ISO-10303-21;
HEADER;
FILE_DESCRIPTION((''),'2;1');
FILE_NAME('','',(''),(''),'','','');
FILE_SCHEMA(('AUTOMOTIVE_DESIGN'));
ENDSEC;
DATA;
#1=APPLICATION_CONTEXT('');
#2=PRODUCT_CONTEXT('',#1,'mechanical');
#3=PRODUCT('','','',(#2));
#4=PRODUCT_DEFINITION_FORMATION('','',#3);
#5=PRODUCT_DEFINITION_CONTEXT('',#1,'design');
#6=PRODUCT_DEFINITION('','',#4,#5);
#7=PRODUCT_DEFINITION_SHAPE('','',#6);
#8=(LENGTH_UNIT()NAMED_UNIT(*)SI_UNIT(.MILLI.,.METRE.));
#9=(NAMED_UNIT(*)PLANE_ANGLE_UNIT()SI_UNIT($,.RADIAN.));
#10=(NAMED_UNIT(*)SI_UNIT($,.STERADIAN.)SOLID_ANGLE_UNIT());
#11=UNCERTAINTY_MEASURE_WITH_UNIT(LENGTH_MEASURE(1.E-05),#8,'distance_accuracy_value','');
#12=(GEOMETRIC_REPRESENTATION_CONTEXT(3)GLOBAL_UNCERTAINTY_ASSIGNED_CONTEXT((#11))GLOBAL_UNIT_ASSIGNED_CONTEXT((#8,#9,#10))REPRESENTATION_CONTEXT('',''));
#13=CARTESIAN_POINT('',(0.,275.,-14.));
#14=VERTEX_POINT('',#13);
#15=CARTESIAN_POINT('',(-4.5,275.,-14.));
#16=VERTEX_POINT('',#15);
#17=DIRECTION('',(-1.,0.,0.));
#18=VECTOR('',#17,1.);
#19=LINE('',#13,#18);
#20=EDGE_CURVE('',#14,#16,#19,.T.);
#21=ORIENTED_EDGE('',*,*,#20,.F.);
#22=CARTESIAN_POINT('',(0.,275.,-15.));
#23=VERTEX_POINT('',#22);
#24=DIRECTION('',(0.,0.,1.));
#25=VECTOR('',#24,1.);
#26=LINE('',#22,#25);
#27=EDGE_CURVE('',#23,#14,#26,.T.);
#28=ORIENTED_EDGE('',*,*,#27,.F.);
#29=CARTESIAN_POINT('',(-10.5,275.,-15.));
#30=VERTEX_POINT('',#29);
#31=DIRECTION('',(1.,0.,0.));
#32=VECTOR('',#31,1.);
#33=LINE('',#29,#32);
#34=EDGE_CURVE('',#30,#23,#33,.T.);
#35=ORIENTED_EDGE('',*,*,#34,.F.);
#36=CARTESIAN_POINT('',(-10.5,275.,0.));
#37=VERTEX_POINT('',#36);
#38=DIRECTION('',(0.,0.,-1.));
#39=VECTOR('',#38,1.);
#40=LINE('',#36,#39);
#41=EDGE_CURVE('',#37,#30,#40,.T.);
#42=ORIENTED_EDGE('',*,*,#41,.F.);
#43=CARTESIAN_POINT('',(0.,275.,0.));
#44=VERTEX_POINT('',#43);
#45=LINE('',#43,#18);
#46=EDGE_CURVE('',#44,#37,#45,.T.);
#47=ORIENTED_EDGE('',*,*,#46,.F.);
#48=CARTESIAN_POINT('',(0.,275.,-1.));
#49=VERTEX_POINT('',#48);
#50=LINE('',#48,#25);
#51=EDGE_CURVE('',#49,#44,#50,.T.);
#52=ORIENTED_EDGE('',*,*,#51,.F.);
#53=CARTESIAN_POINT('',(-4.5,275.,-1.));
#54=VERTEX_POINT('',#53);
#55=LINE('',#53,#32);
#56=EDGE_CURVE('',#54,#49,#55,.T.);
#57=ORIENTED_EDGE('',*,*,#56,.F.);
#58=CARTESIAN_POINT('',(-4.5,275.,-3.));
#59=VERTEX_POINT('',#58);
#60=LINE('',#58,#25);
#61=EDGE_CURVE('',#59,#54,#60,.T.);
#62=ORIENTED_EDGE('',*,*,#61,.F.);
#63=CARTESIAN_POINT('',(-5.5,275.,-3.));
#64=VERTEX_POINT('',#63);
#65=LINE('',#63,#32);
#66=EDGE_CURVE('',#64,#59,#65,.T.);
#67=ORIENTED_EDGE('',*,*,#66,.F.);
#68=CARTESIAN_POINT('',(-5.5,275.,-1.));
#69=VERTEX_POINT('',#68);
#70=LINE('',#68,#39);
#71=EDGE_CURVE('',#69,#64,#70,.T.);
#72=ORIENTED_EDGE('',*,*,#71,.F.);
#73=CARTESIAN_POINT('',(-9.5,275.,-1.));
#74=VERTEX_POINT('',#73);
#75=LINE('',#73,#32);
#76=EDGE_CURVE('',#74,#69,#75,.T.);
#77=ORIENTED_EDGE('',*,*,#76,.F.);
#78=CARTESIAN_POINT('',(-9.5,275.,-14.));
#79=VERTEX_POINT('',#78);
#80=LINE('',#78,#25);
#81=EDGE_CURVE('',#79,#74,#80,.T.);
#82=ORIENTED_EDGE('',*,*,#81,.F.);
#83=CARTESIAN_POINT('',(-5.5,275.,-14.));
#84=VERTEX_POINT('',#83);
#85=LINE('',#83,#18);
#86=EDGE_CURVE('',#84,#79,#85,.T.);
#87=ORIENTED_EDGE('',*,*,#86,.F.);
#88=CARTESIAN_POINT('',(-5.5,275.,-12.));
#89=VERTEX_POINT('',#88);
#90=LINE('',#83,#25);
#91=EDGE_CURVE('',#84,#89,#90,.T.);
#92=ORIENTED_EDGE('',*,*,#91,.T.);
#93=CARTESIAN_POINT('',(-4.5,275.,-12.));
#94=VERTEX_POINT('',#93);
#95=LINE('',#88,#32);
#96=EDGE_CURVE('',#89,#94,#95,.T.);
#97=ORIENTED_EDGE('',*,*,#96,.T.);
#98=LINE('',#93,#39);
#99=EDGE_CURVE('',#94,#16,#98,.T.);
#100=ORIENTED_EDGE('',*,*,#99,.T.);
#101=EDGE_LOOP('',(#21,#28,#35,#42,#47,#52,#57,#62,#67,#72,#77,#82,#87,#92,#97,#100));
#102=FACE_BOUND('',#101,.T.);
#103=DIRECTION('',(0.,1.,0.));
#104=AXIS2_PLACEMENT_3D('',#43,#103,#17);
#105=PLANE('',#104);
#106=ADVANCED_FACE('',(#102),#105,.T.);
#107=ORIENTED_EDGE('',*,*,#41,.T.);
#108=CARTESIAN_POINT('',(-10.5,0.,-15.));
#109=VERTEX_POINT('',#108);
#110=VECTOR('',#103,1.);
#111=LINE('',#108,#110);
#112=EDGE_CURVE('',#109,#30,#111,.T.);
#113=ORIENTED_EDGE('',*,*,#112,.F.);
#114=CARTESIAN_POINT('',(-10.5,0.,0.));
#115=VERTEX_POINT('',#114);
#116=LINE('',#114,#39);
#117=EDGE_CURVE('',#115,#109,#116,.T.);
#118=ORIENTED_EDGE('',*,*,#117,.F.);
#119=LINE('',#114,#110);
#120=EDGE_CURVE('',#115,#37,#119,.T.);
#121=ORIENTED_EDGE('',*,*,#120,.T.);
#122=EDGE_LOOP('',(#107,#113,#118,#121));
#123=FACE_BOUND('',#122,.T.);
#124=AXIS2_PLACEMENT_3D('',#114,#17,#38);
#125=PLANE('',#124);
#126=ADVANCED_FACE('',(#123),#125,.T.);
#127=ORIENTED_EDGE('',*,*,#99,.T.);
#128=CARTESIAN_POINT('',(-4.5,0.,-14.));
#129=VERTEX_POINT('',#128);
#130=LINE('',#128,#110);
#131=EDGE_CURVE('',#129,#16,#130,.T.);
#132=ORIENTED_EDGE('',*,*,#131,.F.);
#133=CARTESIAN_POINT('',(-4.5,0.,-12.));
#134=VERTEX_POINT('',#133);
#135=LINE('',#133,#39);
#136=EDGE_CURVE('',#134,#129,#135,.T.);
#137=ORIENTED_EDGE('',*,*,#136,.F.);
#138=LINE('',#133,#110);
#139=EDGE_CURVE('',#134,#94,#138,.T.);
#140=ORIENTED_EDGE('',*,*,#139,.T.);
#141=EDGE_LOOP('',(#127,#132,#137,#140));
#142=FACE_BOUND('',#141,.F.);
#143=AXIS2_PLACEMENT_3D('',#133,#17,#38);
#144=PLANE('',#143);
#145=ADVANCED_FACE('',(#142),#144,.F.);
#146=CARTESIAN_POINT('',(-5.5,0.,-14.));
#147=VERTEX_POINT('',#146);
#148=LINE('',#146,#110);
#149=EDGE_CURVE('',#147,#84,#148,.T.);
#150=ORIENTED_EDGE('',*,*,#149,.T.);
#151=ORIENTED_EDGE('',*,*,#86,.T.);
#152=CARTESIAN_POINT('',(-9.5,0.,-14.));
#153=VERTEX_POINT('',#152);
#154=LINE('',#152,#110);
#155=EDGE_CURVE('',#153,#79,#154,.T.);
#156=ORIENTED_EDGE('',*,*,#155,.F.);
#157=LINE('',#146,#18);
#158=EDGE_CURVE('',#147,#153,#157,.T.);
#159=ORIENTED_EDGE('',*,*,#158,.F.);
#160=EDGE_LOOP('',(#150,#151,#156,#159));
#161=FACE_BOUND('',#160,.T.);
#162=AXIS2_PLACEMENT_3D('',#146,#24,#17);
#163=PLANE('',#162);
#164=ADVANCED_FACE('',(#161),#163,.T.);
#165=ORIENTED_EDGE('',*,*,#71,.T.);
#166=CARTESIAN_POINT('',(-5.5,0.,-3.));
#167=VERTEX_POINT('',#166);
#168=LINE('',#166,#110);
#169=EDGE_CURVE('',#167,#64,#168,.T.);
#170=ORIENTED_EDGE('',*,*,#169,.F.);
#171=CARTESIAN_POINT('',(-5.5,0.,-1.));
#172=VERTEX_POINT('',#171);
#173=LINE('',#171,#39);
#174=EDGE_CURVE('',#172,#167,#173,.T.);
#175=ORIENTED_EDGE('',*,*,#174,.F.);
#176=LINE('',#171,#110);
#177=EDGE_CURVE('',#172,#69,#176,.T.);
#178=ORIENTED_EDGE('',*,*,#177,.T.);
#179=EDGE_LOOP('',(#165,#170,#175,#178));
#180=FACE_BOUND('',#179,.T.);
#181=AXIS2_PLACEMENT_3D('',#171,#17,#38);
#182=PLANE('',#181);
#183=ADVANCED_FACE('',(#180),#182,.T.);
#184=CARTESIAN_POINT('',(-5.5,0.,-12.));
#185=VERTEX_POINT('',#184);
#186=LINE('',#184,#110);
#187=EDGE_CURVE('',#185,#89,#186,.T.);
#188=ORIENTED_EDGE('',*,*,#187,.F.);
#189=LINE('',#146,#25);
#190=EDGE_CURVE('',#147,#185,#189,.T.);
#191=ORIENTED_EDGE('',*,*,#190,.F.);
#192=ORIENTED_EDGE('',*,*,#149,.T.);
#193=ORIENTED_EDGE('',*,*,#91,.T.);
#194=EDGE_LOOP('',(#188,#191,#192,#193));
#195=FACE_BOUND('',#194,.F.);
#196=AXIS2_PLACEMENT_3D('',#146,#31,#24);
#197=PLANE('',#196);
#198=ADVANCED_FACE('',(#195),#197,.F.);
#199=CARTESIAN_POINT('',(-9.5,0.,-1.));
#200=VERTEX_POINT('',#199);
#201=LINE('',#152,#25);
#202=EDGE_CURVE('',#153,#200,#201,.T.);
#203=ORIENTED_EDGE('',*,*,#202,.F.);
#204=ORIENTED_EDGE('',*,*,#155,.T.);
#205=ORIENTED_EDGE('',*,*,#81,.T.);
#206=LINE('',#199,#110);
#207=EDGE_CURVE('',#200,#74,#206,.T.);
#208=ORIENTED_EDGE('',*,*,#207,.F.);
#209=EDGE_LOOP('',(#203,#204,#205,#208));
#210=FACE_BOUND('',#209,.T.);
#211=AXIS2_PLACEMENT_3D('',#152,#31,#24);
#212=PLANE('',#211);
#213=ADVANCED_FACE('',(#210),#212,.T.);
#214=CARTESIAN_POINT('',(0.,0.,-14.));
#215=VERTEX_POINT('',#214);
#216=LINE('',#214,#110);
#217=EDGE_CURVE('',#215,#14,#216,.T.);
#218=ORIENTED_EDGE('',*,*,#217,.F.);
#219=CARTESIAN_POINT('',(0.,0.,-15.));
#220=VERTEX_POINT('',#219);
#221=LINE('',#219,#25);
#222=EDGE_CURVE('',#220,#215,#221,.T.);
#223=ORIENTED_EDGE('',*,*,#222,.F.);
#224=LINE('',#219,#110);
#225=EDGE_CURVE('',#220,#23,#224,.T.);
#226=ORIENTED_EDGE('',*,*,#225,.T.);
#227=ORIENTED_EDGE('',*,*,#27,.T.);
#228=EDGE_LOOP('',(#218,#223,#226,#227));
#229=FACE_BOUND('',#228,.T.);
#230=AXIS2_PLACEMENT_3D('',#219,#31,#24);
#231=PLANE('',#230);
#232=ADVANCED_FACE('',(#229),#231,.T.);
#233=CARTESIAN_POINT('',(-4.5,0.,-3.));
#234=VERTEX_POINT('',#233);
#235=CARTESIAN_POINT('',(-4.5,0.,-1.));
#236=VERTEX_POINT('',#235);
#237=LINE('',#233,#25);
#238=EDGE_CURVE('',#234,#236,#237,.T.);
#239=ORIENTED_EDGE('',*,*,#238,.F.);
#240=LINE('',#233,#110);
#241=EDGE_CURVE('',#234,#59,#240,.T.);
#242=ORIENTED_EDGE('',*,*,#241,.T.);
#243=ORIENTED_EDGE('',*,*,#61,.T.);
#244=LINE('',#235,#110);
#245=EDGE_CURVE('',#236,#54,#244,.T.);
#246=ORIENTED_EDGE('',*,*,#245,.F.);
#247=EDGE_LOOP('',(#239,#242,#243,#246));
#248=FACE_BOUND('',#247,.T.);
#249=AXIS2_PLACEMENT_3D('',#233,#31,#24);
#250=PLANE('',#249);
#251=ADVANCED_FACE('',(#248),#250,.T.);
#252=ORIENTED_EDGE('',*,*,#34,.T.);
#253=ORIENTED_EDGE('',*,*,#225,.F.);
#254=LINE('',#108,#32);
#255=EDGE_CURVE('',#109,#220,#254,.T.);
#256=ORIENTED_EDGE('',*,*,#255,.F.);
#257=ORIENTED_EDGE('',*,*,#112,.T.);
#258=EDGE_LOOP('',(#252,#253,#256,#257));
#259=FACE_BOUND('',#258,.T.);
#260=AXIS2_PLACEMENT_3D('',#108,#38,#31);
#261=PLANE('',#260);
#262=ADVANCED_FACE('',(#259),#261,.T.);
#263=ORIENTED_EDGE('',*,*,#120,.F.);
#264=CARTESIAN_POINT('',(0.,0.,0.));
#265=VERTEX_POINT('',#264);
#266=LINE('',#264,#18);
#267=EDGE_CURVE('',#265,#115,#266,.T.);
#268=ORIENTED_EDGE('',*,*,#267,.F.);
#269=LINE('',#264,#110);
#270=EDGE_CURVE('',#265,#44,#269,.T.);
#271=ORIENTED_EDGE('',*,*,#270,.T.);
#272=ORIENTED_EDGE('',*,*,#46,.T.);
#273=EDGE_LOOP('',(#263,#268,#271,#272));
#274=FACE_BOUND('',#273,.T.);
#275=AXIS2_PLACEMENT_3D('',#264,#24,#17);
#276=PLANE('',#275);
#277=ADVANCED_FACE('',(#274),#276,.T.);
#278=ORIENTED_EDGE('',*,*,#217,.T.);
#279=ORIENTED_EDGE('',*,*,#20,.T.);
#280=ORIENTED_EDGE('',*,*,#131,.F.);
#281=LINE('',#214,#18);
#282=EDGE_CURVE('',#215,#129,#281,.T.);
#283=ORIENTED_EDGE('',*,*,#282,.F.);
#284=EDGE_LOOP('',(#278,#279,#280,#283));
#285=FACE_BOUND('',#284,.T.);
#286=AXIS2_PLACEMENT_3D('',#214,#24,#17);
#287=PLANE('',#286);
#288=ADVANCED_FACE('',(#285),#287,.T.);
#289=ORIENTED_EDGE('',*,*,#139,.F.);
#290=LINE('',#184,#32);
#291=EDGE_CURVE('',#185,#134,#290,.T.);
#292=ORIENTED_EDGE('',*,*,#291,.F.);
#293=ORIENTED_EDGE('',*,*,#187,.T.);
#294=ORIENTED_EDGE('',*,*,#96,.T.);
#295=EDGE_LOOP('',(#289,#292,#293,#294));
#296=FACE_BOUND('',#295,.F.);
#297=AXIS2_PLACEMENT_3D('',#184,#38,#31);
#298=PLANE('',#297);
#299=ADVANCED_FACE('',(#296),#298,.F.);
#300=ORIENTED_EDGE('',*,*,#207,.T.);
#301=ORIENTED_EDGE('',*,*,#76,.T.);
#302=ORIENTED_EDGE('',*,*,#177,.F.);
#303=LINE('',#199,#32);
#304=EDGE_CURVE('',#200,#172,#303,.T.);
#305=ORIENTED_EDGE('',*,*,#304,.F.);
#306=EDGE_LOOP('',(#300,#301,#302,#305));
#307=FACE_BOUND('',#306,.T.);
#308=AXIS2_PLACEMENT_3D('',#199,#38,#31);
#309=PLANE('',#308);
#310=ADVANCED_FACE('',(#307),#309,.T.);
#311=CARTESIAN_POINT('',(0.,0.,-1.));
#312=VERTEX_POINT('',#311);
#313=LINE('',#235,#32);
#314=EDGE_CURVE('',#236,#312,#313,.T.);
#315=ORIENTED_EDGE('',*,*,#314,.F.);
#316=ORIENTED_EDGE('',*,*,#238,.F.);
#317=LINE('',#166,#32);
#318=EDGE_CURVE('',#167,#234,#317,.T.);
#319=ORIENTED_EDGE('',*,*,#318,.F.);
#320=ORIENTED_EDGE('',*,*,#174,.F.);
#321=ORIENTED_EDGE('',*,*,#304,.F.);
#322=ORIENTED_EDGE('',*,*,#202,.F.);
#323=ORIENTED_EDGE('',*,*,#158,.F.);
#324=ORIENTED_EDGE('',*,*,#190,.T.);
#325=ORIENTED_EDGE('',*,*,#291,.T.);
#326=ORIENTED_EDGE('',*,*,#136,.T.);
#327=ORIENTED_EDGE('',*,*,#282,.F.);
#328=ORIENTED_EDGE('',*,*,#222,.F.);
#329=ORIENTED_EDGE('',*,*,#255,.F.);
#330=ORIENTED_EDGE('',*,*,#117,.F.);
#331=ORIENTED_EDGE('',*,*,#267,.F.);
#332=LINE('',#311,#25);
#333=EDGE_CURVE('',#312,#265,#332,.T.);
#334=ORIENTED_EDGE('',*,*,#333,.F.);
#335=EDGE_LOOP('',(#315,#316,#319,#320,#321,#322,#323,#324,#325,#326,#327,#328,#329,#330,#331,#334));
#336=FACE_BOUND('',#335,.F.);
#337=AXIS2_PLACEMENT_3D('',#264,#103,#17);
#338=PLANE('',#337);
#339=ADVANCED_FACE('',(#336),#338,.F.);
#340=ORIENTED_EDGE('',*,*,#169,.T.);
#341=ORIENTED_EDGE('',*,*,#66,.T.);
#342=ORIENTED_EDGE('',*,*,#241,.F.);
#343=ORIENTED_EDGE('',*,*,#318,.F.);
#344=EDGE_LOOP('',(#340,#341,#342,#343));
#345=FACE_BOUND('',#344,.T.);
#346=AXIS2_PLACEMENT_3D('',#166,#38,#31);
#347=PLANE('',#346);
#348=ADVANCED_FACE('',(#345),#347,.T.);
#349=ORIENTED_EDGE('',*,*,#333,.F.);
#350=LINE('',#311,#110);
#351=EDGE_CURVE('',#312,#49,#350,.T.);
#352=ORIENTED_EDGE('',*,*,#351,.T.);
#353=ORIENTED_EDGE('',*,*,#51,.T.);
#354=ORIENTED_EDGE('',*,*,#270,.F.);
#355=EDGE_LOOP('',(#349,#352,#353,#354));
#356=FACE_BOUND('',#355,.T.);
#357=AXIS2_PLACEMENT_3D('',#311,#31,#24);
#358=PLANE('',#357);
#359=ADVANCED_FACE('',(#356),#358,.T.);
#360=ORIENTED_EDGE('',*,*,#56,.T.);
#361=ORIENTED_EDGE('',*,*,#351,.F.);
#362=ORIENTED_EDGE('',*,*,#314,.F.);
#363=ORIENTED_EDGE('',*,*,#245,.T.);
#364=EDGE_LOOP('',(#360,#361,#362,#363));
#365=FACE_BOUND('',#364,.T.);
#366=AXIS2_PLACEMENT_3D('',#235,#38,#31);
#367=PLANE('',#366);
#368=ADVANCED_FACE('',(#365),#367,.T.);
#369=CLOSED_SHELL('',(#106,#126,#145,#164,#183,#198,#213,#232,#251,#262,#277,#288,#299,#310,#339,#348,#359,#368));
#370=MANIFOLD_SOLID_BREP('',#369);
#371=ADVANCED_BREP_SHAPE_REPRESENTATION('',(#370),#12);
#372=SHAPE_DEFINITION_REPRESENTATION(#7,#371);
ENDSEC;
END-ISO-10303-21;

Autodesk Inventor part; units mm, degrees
ref_plane "YZ Plane" through (0, 0, 0) normal (1, 0, 0) x (0, 1, 0)
ref_plane "XZ Plane" through (0, 0, 0) normal (0, 1, 0) x (-1, 0, 0)
ref_plane "XY Plane" through (0, 0, 0) normal (0, 0, 1) x (1, 0, 0)
sketch "Sketch1" plane through (0, 0, 0) normal (0, 1, 0) x (-1, 0, 0)
  line L0 (0, 0) -> (10.5, 0)
  line L1 (10.5, 0) -> (10.5, -15)
  line L2 (10.5, -15) -> (0, -15)
  line L3 (0, -15) -> (0, -14)
  line L4 (9.5, -14) -> (9.5, -1)
  line L5 (0, -1) -> (0, 0)
  line L6 (9.5, -1) -> (5.5, -1)
  line L7 (5.5, -1) -> (5.5, -3)
  line L8 (5.5, -3) -> (4.5, -3)
  line L9 (4.5, -3) -> (4.5, -1)
  line L10 (5.5, -14) -> (5.5, -12)
  line L11 (5.5, -12) -> (4.5, -12)
  line L12 (4.5, -12) -> (4.5, -14)
  line L13 (9.5, -1) -> (5.5, -1)
  line L14 (4.5, -1) -> (0, -1)
  line L15 (0, -14) -> (4.5, -14)
  line L16 (5.5, -14) -> (9.5, -14)
  dimension "d0" = 10.5
  dimension "d1" = 15
  dimension "d2" = 1
  dimension "d3" = 9.5
  dimension "d4" = 13
  dimension "d5" = 4
  dimension "d6" = 2
  dimension "d7" = 1
  dimension "d8" = 2
  dimension "d9" = 1
  dimension "d10" = 2
extrude "Extrusion1" add sketch "Sketch1" along normal blind 275
properties part number "mainbar"
